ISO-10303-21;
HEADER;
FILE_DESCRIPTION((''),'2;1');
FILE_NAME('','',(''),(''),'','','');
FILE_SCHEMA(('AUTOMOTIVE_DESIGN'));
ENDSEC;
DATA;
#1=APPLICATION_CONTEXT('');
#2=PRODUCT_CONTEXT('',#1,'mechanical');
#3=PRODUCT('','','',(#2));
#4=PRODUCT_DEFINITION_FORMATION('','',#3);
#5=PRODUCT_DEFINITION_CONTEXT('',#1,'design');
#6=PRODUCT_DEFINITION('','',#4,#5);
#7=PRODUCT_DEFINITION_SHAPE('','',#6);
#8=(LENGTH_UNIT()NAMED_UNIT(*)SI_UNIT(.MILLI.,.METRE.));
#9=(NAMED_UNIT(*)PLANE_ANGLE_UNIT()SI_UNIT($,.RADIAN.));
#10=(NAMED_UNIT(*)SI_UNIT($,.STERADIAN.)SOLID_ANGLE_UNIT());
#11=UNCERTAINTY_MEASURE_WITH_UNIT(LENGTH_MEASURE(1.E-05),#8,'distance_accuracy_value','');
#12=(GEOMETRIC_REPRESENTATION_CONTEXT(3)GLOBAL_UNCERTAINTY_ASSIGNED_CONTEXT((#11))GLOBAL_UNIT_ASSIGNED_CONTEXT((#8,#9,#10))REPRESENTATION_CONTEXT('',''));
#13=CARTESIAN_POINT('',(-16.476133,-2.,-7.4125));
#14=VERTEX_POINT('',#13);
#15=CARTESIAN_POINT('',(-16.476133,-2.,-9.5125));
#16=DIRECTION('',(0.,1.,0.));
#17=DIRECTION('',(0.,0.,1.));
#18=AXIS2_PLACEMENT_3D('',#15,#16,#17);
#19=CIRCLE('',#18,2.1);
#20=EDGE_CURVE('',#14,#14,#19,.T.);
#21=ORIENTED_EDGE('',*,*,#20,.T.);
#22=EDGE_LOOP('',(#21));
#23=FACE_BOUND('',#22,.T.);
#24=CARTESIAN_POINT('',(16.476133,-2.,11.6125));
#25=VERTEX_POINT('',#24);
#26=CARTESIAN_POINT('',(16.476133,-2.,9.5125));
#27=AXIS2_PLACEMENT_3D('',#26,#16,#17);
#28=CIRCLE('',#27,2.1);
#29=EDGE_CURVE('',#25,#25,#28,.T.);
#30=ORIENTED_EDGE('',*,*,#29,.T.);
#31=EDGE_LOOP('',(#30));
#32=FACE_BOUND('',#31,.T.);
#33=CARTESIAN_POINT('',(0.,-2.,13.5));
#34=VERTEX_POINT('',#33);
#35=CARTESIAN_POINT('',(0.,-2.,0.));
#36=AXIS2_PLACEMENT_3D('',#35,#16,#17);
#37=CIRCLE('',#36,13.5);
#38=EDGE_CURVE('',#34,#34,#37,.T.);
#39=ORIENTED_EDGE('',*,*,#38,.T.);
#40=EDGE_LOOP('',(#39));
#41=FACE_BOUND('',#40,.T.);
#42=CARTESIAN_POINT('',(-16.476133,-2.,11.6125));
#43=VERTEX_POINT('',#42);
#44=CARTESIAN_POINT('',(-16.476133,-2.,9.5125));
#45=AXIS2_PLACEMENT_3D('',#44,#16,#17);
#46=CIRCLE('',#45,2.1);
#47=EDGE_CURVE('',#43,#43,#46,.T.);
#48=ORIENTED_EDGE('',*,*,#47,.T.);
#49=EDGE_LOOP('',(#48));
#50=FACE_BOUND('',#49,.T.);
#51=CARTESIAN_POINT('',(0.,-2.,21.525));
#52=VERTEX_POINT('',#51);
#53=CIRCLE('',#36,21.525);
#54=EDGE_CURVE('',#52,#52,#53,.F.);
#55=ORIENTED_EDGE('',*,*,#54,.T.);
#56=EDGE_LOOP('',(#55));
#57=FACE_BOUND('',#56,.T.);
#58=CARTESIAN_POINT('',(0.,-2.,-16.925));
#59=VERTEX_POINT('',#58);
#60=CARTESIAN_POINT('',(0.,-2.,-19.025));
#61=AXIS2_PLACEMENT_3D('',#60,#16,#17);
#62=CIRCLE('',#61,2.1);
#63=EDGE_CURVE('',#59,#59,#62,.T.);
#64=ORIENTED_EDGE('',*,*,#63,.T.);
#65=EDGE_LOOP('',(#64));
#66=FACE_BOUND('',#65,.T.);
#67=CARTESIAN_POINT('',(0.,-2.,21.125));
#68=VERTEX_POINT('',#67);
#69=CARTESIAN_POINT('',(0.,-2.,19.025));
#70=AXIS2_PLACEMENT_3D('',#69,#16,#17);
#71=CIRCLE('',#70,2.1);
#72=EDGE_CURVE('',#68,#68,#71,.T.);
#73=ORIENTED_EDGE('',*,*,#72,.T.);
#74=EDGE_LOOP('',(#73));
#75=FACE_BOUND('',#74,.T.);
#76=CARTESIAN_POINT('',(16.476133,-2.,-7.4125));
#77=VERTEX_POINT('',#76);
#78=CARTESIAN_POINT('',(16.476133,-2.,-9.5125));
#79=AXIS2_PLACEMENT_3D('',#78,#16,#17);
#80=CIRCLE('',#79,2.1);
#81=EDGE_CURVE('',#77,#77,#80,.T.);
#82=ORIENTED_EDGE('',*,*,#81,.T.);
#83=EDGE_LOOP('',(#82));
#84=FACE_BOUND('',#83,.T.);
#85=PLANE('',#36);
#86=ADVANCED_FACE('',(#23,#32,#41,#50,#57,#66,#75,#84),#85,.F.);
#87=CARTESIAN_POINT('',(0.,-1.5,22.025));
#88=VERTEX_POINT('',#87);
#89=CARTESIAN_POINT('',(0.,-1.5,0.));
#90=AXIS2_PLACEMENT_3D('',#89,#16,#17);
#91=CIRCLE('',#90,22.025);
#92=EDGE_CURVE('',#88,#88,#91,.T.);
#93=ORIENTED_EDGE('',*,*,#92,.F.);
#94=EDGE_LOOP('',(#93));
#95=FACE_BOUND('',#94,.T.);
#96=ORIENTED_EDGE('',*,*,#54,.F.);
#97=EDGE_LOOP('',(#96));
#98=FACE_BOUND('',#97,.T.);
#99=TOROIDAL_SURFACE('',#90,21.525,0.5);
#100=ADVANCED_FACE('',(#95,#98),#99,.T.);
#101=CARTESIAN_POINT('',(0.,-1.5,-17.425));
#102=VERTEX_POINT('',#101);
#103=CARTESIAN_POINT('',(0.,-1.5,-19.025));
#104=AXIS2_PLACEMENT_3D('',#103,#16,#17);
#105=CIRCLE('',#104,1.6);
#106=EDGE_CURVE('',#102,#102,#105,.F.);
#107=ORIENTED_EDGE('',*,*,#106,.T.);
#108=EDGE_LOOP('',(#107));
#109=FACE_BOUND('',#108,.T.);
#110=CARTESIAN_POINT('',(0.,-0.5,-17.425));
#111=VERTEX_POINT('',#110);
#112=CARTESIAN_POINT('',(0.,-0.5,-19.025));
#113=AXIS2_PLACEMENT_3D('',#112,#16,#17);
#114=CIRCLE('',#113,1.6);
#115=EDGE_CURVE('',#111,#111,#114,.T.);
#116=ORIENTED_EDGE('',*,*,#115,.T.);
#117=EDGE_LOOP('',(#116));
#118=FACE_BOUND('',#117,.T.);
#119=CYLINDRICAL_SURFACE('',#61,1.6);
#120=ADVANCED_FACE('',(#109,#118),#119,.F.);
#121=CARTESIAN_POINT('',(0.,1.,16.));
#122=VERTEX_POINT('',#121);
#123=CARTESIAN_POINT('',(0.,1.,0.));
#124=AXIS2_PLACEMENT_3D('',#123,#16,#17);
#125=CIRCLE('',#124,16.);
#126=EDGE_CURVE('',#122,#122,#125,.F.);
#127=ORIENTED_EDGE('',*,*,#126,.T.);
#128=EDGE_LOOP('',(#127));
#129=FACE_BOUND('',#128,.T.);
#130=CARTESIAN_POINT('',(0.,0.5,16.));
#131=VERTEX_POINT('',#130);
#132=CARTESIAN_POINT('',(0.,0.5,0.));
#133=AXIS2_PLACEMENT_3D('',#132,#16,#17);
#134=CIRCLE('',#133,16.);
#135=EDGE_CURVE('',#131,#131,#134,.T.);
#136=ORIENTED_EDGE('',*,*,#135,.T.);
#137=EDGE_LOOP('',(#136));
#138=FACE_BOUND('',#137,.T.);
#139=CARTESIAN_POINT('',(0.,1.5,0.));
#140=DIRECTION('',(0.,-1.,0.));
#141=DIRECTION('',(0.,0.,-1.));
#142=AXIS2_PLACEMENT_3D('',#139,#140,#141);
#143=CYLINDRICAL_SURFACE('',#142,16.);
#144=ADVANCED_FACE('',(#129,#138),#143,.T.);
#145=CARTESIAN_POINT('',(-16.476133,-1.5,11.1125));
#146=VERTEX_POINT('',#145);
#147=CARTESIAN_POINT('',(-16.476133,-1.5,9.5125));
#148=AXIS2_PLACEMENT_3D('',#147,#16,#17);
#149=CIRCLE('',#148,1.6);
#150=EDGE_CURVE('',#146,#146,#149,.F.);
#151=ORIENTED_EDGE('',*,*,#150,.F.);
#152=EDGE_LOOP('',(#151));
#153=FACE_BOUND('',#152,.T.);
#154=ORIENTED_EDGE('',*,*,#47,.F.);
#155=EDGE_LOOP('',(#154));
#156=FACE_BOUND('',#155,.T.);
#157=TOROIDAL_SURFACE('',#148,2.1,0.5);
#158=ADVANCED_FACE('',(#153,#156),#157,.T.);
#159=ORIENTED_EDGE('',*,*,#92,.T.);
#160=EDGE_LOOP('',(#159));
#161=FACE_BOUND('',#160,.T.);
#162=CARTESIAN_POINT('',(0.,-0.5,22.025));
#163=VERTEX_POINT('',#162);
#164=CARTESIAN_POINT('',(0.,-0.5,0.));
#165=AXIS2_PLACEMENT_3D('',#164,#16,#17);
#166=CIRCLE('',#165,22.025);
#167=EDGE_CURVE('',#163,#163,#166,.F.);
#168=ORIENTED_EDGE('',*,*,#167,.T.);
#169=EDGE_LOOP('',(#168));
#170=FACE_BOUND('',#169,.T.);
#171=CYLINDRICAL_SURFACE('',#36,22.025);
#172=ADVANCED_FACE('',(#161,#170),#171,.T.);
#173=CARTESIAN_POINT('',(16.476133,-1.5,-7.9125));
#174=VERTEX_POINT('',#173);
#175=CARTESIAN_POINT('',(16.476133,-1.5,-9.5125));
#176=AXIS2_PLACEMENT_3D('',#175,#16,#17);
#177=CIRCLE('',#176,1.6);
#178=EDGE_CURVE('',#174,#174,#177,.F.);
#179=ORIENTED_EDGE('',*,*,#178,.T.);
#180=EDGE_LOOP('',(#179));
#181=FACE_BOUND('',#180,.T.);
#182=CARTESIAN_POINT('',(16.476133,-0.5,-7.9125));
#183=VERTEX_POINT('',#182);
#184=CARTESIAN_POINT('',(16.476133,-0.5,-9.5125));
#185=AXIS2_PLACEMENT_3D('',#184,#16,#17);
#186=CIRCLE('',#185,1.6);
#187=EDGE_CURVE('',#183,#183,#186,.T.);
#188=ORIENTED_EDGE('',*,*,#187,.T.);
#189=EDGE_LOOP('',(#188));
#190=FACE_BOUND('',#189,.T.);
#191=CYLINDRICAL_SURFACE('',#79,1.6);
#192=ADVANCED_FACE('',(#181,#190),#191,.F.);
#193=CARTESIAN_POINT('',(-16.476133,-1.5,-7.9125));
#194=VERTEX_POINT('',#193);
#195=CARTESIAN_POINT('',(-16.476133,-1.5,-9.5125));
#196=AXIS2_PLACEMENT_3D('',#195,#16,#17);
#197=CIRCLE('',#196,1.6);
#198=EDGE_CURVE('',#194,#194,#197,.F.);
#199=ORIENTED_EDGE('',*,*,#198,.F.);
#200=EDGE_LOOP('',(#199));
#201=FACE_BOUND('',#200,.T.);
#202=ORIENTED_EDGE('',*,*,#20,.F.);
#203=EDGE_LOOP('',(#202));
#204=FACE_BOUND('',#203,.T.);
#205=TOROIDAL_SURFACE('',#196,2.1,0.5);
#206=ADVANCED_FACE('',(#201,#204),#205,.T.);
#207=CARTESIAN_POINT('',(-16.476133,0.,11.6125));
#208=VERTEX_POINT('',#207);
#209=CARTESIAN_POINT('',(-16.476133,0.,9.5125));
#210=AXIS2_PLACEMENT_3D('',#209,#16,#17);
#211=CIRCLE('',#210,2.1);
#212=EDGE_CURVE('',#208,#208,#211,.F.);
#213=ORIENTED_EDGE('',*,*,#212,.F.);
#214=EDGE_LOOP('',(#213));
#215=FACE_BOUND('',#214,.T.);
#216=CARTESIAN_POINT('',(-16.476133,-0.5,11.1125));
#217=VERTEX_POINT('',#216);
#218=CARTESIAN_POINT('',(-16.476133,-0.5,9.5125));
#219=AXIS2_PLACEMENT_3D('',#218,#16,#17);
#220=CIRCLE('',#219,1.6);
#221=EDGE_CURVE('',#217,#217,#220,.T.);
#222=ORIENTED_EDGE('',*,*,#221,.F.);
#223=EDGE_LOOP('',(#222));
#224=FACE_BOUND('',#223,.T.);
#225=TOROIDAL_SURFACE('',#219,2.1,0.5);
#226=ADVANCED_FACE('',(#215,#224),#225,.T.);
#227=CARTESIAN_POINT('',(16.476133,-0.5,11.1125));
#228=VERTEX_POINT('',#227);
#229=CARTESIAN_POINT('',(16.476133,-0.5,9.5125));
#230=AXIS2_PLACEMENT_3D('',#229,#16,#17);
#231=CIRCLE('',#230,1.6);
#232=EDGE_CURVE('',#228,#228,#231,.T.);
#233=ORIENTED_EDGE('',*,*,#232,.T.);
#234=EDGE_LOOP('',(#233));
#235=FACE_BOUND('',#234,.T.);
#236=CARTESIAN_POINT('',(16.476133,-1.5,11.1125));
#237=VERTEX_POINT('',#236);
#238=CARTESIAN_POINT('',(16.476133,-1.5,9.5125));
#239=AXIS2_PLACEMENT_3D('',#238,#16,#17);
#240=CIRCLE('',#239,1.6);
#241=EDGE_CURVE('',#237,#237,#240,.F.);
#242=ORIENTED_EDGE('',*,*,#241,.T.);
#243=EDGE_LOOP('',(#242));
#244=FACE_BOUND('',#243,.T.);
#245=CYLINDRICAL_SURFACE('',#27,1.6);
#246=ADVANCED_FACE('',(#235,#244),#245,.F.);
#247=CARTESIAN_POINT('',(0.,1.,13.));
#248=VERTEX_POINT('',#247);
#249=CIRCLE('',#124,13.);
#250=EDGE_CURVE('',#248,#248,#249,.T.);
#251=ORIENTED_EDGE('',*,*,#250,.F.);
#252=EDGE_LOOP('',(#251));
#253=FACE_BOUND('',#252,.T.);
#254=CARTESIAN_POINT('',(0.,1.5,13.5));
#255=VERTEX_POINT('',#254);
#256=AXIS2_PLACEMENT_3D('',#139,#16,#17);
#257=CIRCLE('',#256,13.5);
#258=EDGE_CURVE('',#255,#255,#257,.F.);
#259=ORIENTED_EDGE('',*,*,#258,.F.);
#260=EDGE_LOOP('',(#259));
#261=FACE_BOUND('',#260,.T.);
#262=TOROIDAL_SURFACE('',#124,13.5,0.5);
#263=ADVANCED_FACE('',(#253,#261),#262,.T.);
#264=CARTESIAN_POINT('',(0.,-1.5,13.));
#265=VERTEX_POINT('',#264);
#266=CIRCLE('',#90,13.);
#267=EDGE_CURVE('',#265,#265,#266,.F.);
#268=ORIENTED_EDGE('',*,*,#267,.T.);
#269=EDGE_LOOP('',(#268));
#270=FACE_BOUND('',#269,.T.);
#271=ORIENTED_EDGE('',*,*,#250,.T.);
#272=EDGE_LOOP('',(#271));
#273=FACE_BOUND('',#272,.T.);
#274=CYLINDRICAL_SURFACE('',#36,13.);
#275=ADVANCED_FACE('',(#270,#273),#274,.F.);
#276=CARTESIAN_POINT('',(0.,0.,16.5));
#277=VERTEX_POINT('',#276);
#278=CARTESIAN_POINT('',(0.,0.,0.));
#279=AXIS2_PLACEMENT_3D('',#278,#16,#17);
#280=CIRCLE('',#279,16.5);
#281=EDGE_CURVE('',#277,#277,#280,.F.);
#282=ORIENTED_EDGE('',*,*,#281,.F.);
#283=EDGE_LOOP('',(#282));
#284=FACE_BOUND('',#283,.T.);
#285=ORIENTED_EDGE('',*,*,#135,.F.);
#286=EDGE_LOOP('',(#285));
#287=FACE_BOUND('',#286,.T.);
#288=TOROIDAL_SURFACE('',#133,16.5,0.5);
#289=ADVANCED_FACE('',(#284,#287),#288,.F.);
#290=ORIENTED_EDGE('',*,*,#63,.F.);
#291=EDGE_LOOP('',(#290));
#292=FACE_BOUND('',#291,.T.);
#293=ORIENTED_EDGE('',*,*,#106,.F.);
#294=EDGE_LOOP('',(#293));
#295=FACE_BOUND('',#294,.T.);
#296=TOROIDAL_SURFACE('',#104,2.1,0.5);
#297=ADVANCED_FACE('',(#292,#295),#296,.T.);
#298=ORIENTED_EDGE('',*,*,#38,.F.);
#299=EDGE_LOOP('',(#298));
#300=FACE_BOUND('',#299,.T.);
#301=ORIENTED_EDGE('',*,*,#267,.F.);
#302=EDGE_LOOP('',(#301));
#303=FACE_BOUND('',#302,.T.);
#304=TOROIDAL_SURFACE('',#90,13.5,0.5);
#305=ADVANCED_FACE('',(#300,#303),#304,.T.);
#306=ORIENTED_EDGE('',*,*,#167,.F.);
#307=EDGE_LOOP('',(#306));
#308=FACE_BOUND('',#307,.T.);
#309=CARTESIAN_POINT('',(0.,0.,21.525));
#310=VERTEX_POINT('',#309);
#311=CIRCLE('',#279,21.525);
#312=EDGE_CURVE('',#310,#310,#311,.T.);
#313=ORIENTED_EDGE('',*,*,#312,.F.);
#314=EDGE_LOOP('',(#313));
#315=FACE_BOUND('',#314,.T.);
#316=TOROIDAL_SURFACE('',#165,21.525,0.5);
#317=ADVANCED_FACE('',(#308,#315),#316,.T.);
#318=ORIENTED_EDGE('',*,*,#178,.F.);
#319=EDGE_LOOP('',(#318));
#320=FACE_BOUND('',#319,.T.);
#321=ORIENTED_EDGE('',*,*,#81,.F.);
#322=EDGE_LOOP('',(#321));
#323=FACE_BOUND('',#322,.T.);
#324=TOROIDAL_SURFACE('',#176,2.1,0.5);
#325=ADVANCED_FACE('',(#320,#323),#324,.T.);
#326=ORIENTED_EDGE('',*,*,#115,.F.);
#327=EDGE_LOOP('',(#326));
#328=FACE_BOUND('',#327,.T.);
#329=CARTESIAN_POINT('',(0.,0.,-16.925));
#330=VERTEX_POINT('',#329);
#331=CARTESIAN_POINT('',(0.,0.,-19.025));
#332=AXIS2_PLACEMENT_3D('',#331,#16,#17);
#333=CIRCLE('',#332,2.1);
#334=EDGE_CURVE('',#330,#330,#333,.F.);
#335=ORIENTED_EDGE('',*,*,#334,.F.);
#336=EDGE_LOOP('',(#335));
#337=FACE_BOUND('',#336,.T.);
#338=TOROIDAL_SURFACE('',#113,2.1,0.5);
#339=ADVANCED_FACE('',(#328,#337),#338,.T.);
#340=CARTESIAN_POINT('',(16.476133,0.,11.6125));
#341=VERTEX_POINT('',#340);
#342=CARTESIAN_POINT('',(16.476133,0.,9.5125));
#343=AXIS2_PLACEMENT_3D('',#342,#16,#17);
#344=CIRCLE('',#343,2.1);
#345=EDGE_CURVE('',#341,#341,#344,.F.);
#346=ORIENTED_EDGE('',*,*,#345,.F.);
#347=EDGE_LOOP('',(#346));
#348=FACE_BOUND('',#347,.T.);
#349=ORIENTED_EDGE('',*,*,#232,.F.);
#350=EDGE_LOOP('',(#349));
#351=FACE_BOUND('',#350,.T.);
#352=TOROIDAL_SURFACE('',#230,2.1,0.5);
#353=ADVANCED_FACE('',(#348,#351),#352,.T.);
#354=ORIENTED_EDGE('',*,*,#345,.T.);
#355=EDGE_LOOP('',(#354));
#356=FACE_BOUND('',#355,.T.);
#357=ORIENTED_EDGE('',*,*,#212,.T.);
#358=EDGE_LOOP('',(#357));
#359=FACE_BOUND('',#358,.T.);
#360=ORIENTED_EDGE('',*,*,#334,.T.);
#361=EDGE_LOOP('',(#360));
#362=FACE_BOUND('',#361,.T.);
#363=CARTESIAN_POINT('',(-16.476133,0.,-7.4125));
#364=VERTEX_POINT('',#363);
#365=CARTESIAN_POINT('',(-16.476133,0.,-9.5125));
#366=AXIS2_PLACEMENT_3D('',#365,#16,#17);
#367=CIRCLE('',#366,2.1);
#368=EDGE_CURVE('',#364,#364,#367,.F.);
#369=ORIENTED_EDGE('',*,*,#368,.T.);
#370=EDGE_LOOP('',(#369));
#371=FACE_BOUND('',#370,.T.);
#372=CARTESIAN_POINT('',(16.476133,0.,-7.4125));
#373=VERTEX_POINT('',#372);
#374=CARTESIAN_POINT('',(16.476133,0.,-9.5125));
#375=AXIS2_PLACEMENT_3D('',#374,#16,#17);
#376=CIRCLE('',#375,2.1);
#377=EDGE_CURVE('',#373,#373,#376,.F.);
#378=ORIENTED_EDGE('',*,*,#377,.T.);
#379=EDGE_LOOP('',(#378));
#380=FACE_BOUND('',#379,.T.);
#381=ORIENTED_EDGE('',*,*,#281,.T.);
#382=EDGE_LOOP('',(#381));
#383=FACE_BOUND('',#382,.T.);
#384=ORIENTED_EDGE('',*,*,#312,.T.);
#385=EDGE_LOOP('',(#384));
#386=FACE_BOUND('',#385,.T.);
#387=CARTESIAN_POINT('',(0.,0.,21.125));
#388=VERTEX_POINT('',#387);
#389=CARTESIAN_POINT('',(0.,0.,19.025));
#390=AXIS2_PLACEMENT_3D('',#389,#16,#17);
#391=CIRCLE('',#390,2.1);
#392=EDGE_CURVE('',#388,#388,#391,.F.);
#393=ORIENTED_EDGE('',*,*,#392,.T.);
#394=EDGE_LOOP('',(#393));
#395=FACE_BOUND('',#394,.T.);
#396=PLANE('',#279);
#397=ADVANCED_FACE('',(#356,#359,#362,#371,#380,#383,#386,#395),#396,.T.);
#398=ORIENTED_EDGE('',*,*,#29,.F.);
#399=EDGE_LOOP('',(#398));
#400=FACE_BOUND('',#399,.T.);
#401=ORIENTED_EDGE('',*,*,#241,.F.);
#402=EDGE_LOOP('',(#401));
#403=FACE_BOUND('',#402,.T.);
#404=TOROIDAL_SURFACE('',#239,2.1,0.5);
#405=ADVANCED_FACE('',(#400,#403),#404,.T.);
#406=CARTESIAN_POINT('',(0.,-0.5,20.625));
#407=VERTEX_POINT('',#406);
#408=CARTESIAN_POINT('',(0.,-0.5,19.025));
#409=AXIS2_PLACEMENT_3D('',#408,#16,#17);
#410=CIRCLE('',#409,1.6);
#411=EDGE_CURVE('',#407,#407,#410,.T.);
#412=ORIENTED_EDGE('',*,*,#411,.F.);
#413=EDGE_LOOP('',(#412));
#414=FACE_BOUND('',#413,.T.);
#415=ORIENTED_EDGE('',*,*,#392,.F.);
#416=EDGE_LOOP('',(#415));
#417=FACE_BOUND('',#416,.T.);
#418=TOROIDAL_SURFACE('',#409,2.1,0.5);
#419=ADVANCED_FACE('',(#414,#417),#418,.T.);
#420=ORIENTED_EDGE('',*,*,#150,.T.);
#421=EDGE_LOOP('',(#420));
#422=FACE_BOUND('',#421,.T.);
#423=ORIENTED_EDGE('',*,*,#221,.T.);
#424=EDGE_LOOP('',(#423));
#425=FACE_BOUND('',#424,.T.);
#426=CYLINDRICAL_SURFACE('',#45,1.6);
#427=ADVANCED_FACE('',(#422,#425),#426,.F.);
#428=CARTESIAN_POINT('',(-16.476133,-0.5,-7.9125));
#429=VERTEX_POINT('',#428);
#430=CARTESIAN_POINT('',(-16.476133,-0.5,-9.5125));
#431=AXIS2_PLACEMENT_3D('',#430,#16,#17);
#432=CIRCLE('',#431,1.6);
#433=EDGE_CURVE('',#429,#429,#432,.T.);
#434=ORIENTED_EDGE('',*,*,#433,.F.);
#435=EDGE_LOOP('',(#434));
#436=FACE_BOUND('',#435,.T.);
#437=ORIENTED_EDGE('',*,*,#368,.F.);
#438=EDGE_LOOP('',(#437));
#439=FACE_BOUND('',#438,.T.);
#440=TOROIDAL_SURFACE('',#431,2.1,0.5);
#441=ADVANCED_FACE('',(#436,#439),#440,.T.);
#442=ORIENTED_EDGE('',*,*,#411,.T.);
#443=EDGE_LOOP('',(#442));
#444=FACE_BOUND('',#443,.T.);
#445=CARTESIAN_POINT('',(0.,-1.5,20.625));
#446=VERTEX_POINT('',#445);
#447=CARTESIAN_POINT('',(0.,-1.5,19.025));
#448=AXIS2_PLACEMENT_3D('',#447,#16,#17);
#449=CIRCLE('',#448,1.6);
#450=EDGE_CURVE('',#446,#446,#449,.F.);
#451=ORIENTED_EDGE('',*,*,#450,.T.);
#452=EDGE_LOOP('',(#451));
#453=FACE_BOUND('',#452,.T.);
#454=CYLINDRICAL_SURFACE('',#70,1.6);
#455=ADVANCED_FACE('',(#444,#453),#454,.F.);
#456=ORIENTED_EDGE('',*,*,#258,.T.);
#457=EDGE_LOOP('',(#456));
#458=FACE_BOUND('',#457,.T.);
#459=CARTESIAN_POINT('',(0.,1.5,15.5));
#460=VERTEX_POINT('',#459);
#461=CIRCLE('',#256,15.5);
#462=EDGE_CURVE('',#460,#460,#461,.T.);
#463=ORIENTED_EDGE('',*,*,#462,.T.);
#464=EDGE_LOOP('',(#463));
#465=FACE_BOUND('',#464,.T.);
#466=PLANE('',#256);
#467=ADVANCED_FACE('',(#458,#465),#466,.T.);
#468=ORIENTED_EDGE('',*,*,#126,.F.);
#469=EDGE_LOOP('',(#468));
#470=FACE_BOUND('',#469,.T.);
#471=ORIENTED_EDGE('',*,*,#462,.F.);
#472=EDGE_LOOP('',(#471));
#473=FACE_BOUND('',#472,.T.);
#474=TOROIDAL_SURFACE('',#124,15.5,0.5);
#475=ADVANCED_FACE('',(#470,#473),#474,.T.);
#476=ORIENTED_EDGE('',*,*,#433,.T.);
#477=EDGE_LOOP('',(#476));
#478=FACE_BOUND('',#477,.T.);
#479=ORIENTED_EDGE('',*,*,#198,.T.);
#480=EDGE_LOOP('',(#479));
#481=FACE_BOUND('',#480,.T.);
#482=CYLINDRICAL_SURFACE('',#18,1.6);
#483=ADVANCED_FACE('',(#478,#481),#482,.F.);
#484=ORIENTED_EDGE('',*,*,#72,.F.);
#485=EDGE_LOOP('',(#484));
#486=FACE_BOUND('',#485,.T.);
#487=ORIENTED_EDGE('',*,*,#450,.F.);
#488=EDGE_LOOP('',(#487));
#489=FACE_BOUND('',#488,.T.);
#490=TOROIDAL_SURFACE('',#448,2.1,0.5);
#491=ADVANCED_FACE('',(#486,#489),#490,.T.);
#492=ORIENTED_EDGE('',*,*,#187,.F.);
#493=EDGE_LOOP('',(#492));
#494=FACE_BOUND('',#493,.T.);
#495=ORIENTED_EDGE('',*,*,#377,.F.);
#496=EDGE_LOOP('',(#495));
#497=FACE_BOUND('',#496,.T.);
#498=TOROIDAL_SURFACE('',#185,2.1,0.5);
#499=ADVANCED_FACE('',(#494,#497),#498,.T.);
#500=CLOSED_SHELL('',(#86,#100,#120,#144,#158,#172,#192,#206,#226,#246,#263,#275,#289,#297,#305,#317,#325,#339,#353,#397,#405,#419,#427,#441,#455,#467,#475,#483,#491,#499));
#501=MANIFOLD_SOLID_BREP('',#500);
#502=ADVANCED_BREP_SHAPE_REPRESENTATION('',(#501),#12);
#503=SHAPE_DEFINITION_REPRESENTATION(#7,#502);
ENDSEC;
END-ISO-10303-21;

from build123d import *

# Parameters (mm, degrees)
SKETCH1_R           = 22.025
SKETCH1_R_2         = 1.6
SKETCH1_R_3         = 13
BOSS_EXTRUDE1_DEPTH = 2
BOSS_EXTRUDE2_START = 1.5
SKETCH2_R           = 16
SKETCH2_R_2         = 13
BOSS_EXTRUDE2_DEPTH = 1.5
FILLET1_R           = 0.5


with BuildPart() as part:
    # Sketch1 → Boss-Extrude1 (new body)
    with BuildSketch(Plane(origin=(0, 0, 0), x_dir=(1, 0, 0), z_dir=(0, 1, 0))):
        with Locations(Location((0, 0, 0), (0, 0, 270))):
            Circle(SKETCH1_R)
        with Locations(Location((0, 19.025, 0), (0, 0, 270))):
            Circle(SKETCH1_R_2, mode=Mode.SUBTRACT)
        with Locations(Location((16.476133307, 9.5125, 0), (0, 0, 270))):
            Circle(SKETCH1_R_2, mode=Mode.SUBTRACT)
        with Locations(Location((16.476133307, -9.5125, 0), (0, 0, 270))):
            Circle(SKETCH1_R_2, mode=Mode.SUBTRACT)
        with Locations(Location((0, -19.025, 0), (0, 0, 270))):
            Circle(SKETCH1_R_2, mode=Mode.SUBTRACT)
        with Locations(Location((-16.476133307, -9.5125, 0), (0, 0, 270))):
            Circle(SKETCH1_R_2, mode=Mode.SUBTRACT)
        with Locations(Location((-16.476133307, 9.5125, 0), (0, 0, 270))):
            Circle(SKETCH1_R_2, mode=Mode.SUBTRACT)
        with Locations(Location((0, 0, 0), (0, 0, 270))):
            Circle(SKETCH1_R_3, mode=Mode.SUBTRACT)
    extrude(amount=-BOSS_EXTRUDE1_DEPTH)

    # Sketch2 → Boss-Extrude2 (add)
    with BuildSketch(Plane(origin=(0, 0, 0), x_dir=(1, 0, 0), z_dir=(0, 1, 0)).offset(BOSS_EXTRUDE2_START)):
        with Locations(Location((0, 0, 0), (0, 0, 270))):
            Circle(SKETCH2_R)
        with Locations(Location((0, 0, 0), (0, 0, 270))):
            Circle(SKETCH2_R_2, mode=Mode.SUBTRACT)
    extrude(amount=-BOSS_EXTRUDE2_DEPTH)

    # Fillet1
    fillet1_edges = [part.edges().sort_by_distance(p)[0] for p in [
        (16.476133307, -2, -11.1125),
        (16.476133307, 0, -11.1125),
        (16.476133307, -2, 7.9125),
        (16.476133307, 0, 7.9125),
        (0, 0, -22.025),
        (0, -2, 17.425),
        (0, 0, 17.425),
        (-16.476133307, -2, 7.9125),
        (-16.476133307, 0, 7.9125),
        (-16.476133307, -2, -11.1125),
        (-16.476133307, 0, -11.1125),
        (0, 1.5, -16),
        (0, 0, -16),
        (0, 1.5, -13),
        (0, -2, -22.025),
        (0, -2, -20.625),
        (0, 0, -20.625),
        (0, -2, -13),
    ]]
    fillet(fillet1_edges, radius=FILLET1_R)


solid = part.part
